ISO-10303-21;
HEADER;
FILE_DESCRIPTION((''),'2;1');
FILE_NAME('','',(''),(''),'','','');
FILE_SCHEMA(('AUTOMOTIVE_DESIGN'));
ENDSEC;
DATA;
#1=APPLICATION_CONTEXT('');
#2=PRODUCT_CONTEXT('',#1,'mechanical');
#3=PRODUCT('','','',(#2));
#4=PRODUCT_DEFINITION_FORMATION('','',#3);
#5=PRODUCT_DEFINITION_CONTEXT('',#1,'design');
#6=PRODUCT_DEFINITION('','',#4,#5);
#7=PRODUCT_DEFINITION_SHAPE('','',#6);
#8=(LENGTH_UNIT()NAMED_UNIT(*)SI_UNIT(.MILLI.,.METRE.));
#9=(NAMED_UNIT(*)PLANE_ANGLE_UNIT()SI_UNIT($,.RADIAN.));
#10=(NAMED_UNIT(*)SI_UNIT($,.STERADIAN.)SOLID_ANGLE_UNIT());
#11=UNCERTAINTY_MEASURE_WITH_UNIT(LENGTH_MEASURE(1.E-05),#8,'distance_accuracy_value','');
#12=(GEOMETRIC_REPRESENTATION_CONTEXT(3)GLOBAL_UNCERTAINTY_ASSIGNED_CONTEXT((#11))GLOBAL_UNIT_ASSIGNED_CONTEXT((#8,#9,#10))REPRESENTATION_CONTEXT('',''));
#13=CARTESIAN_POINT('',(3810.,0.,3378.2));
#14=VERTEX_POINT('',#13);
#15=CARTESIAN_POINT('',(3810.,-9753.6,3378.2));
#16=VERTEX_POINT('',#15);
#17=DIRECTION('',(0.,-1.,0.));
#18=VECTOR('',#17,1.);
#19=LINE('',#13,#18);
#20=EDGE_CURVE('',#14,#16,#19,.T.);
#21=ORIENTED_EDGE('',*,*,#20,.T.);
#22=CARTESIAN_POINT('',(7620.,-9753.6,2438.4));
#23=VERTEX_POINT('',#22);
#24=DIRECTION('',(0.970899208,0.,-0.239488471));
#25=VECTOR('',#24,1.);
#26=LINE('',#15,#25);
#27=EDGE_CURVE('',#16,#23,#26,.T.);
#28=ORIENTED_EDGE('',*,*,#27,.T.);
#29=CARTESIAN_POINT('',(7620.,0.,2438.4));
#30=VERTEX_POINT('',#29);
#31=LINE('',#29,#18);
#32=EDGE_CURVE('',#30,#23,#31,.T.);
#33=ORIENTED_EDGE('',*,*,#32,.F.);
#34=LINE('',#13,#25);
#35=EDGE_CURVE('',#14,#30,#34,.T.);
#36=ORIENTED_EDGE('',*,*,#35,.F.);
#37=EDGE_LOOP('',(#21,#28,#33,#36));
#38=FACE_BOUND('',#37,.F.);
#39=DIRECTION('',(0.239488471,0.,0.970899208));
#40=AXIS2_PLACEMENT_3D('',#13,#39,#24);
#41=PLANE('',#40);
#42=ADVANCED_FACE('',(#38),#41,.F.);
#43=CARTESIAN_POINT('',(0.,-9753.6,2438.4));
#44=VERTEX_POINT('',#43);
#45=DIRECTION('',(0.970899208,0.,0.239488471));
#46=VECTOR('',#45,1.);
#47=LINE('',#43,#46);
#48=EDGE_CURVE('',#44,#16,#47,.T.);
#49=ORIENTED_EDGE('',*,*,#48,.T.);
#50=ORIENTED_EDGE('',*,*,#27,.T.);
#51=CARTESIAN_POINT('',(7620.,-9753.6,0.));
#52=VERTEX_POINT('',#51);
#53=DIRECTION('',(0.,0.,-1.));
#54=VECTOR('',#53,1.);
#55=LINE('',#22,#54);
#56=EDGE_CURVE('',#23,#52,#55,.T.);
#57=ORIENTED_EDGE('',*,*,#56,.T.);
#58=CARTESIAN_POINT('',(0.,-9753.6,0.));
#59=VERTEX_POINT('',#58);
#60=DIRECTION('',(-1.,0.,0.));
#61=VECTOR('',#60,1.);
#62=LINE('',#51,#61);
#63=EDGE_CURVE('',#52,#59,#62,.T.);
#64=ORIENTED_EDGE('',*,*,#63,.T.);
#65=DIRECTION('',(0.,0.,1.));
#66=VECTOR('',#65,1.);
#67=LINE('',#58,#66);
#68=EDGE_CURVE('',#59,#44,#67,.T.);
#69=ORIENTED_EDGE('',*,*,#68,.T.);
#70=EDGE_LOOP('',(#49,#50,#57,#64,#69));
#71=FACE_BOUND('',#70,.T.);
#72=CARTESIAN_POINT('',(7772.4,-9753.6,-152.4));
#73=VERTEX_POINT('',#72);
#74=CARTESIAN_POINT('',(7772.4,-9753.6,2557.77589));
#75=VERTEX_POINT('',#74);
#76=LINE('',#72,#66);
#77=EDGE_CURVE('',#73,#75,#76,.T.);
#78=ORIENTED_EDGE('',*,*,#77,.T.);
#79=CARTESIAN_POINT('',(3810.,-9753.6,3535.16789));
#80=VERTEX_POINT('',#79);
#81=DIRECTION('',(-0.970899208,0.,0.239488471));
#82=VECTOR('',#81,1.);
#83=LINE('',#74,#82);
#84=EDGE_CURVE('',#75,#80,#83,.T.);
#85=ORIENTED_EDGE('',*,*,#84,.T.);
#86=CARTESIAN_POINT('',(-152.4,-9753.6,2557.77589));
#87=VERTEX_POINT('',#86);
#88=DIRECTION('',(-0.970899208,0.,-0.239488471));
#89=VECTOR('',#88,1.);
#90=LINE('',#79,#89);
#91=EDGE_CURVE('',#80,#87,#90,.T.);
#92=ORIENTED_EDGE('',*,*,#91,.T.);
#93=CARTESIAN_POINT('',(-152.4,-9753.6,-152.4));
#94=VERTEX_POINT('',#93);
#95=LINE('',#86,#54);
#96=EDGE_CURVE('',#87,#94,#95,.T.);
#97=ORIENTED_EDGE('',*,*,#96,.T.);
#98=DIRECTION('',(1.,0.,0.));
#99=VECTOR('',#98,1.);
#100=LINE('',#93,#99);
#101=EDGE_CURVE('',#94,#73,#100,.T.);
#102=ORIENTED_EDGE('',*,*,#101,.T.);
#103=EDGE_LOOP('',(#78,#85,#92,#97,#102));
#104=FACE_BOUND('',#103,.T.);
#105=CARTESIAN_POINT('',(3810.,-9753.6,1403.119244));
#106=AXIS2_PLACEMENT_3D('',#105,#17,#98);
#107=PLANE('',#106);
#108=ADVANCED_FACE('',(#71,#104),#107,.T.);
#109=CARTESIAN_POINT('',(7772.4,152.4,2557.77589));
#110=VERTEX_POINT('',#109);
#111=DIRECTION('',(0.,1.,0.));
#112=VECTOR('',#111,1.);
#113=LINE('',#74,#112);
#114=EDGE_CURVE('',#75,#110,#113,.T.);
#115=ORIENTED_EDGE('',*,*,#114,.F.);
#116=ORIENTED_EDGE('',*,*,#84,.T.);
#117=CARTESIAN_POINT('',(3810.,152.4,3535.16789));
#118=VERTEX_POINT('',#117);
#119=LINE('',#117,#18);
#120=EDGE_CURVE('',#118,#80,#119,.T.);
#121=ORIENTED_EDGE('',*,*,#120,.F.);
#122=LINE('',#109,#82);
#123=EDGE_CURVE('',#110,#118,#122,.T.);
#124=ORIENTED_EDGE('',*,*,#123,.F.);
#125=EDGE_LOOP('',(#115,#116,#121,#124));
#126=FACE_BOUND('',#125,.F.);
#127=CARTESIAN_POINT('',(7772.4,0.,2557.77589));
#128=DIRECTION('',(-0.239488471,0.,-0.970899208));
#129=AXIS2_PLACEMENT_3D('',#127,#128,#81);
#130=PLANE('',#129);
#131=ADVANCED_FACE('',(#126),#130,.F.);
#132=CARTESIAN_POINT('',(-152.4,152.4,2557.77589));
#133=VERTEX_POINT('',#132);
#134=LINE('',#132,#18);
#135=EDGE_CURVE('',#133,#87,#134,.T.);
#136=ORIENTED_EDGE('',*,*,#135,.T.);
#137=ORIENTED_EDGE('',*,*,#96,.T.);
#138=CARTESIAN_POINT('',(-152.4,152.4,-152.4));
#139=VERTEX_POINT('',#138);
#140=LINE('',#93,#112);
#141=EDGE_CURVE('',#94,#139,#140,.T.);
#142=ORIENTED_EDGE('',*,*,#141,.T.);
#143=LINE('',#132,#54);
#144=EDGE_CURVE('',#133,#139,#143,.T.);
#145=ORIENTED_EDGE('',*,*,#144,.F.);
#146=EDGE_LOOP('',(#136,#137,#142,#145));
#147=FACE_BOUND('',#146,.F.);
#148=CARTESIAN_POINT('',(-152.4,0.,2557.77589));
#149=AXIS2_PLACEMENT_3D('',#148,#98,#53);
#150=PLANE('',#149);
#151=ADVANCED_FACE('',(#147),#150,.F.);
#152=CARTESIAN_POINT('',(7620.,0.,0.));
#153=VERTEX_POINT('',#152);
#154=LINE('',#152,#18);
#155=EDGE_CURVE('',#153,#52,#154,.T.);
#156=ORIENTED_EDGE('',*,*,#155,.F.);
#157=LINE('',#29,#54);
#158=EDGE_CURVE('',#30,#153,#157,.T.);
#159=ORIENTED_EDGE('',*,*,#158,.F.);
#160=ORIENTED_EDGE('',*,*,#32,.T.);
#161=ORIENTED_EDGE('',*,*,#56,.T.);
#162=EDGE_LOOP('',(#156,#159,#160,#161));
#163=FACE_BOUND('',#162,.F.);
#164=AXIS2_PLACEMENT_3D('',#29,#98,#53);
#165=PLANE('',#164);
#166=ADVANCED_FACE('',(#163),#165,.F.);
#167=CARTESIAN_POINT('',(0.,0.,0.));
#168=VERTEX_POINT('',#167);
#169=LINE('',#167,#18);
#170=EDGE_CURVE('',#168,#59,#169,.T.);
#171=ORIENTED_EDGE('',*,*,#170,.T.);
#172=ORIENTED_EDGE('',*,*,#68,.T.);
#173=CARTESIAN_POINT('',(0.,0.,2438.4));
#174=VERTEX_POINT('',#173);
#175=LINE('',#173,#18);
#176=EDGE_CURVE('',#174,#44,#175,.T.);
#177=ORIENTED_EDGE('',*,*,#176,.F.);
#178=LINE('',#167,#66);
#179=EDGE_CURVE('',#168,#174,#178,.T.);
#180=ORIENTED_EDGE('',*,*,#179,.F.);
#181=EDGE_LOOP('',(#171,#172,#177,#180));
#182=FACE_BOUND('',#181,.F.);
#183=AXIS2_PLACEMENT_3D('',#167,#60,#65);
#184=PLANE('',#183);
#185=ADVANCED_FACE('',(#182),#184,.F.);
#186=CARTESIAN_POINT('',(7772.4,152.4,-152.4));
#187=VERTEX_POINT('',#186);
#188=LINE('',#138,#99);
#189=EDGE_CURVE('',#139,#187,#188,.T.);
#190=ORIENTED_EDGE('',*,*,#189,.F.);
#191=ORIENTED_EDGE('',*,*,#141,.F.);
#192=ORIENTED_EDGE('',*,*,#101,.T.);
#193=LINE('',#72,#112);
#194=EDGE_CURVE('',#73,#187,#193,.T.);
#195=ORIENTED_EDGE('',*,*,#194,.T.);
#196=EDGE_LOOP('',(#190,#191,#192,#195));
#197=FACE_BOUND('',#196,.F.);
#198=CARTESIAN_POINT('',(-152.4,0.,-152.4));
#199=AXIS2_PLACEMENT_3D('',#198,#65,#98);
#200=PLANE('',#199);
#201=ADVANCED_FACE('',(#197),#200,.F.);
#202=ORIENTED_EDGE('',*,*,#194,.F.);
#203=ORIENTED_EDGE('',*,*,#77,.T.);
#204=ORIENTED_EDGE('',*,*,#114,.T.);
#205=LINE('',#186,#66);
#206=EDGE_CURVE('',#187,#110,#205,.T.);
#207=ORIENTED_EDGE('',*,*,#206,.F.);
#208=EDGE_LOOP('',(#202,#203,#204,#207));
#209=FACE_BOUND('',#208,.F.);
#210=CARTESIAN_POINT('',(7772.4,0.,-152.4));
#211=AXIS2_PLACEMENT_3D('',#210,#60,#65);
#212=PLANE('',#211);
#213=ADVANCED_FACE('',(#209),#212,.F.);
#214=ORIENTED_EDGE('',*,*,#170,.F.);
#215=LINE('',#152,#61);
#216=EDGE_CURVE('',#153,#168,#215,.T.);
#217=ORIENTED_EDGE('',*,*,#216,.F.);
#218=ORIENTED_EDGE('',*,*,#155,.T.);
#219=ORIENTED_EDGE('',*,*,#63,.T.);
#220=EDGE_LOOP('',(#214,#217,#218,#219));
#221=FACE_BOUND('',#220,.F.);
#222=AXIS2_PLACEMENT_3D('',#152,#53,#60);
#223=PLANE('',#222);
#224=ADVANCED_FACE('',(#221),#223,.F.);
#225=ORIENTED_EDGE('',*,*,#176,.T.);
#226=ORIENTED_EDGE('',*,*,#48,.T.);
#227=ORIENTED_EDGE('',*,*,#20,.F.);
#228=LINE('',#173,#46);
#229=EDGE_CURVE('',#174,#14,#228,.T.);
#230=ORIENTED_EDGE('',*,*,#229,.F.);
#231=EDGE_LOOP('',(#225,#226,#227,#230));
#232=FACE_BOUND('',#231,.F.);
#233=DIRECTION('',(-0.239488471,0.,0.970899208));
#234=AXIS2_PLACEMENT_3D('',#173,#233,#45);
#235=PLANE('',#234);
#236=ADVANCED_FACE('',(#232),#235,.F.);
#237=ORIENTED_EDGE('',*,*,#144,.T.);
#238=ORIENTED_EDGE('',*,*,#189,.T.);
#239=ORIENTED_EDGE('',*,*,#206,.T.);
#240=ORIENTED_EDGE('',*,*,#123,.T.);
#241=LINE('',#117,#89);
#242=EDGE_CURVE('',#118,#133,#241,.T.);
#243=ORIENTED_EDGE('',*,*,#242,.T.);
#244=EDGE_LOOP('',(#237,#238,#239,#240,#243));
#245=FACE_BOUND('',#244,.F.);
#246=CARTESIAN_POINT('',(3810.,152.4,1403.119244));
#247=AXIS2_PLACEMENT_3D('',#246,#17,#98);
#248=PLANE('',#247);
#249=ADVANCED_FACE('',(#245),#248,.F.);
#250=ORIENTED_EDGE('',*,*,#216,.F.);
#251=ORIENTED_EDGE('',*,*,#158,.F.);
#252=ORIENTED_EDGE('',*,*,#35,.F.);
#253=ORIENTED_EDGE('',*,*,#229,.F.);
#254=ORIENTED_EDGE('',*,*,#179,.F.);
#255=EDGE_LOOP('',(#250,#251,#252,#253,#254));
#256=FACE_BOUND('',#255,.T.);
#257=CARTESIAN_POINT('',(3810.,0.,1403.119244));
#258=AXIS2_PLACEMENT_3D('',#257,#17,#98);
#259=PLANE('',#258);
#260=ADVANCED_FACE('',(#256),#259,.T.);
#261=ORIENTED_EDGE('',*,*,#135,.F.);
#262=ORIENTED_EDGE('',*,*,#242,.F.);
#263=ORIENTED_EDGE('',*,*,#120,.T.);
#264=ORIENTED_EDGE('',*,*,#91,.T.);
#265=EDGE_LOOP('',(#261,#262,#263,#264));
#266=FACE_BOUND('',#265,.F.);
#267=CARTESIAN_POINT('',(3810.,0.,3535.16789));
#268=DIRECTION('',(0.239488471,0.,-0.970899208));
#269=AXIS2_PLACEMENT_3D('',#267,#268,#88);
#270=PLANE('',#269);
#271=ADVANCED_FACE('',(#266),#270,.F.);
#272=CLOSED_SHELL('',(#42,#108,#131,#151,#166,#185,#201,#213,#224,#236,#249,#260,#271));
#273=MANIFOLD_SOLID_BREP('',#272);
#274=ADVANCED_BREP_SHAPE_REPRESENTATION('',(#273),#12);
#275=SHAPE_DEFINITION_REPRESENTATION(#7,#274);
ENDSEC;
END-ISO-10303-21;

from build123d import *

# Parameters (mm, degrees)
F1_DEPTH = 152.4
F2_DEPTH = 9753.6


with BuildPart() as f1:
    # F0 (on Front) → F1 (new body)
    with BuildSketch(Plane.XZ):
        Polygon((7772.4, 2557.77589), (3810, 3535.16789), (-152.4, 2557.77589), (-152.4, -152.4), (7772.4, -152.4), align=None)
        Polygon((7620, 0), (0, 0), (0, 2438.4), (3810, 3378.2), (7620, 2438.4), align=None, mode=Mode.SUBTRACT)
        Polygon((0, 2438.4), (0, 0), (7620, 0), (7620, 2438.4), (3810, 3378.2), align=None)
    extrude(amount=-F1_DEPTH)

    # F0 (on Front) → F2 (join)
    with BuildSketch(Plane.XZ):
        Polygon((7772.4, 2557.77589), (3810, 3535.16789), (-152.4, 2557.77589), (-152.4, -152.4), (7772.4, -152.4), align=None)
        Polygon((7620, 0), (0, 0), (0, 2438.4), (3810, 3378.2), (7620, 2438.4), align=None, mode=Mode.SUBTRACT)
    extrude(amount=F2_DEPTH)


solid = f1.part
